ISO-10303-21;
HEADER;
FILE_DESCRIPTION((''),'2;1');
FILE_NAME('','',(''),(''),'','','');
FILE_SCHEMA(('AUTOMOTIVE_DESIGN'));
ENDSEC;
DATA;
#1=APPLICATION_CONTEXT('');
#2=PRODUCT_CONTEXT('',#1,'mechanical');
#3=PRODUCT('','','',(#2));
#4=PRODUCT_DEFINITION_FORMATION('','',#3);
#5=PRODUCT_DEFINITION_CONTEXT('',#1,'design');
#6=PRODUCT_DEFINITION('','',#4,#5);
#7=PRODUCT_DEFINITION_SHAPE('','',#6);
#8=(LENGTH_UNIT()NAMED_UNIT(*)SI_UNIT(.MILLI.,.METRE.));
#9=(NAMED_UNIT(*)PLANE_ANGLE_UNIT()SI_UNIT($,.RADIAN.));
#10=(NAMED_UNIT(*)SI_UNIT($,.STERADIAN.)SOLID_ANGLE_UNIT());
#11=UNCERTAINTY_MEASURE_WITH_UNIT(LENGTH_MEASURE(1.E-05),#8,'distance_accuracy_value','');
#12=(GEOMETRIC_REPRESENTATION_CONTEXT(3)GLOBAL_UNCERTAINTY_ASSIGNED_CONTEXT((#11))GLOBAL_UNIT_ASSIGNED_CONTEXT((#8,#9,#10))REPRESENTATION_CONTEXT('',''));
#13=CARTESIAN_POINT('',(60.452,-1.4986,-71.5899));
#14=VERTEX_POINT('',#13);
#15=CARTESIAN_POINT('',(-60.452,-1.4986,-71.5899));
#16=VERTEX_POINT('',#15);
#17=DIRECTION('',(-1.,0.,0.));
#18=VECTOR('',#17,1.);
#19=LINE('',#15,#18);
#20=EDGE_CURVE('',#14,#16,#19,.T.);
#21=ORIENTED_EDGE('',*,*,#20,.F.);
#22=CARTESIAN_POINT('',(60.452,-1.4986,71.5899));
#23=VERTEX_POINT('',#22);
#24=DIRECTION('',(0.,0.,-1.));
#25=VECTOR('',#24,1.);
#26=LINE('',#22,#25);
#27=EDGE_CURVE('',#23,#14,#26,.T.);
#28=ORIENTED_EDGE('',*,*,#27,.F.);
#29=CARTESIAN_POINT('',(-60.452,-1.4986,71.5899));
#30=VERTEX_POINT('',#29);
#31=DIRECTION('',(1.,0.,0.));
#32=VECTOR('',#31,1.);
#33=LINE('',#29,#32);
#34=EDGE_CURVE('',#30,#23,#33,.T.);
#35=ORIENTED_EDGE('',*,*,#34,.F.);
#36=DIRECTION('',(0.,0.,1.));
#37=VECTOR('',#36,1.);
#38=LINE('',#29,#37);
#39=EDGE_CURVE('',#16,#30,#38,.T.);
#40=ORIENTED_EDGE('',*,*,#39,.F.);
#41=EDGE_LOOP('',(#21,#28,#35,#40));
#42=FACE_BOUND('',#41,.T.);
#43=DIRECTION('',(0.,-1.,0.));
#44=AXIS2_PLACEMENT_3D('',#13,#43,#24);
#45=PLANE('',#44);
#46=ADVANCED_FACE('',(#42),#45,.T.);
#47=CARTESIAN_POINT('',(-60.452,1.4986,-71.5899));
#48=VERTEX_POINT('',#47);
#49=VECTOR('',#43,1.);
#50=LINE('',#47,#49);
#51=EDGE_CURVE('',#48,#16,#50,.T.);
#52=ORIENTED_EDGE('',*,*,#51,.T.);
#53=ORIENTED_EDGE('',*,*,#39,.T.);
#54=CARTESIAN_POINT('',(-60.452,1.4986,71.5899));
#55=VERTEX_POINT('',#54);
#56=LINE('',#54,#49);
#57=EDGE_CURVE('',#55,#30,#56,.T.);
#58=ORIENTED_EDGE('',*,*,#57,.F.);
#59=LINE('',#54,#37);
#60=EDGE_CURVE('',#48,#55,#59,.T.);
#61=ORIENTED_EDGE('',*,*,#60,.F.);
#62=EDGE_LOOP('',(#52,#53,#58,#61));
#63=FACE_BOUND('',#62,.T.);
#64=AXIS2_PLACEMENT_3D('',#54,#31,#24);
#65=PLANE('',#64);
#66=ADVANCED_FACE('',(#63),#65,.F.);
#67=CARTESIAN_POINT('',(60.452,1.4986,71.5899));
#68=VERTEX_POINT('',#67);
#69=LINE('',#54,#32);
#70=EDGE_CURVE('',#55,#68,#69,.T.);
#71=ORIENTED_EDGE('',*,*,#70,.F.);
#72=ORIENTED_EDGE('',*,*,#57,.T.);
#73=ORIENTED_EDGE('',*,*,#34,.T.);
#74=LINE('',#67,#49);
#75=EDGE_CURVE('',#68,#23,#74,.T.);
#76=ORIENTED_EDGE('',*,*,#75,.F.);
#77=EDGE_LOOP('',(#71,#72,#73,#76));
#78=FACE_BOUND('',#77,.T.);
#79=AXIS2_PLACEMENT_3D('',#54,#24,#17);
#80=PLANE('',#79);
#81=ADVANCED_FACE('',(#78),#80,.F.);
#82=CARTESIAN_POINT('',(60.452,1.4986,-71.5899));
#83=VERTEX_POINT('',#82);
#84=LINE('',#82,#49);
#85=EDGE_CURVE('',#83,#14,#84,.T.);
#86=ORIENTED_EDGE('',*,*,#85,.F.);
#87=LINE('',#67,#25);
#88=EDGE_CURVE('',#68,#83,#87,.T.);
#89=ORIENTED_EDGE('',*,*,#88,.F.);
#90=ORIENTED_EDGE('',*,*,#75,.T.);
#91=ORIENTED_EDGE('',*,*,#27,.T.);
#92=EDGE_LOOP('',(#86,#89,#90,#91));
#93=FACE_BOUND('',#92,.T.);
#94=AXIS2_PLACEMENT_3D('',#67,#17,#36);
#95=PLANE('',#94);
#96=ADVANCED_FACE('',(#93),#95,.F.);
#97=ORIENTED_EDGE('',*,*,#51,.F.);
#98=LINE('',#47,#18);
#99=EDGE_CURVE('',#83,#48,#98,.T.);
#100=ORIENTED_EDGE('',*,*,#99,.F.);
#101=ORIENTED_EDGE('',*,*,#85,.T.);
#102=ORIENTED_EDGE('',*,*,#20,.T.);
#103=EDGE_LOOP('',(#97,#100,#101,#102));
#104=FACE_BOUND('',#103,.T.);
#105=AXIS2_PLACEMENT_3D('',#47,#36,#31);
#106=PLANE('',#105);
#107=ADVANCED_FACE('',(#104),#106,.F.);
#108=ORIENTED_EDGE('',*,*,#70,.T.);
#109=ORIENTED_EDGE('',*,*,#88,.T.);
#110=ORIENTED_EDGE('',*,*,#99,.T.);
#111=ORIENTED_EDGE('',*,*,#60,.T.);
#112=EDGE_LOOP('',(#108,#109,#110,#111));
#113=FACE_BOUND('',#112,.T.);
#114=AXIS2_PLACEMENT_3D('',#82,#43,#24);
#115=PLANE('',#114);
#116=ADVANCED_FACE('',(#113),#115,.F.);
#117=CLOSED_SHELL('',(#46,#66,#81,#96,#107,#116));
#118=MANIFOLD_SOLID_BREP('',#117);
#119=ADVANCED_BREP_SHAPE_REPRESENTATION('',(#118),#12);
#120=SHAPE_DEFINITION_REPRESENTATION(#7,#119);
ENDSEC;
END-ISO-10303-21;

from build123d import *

# Parameters (mm, degrees)
SKETCH1_W           = 120.904
SKETCH1_H           = 143.1798
BOSS_EXTRUDE1_DEPTH = 1.4986


with BuildPart() as part:
    # Sketch1 → Boss-Extrude1 (new body, symmetric)
    with BuildSketch(Plane(origin=(0, 0, 0), x_dir=(1, 0, 0), z_dir=(0, 1, 0))):
        Rectangle(SKETCH1_W, SKETCH1_H)
    extrude(amount=BOSS_EXTRUDE1_DEPTH, both=True)


solid = part.part
